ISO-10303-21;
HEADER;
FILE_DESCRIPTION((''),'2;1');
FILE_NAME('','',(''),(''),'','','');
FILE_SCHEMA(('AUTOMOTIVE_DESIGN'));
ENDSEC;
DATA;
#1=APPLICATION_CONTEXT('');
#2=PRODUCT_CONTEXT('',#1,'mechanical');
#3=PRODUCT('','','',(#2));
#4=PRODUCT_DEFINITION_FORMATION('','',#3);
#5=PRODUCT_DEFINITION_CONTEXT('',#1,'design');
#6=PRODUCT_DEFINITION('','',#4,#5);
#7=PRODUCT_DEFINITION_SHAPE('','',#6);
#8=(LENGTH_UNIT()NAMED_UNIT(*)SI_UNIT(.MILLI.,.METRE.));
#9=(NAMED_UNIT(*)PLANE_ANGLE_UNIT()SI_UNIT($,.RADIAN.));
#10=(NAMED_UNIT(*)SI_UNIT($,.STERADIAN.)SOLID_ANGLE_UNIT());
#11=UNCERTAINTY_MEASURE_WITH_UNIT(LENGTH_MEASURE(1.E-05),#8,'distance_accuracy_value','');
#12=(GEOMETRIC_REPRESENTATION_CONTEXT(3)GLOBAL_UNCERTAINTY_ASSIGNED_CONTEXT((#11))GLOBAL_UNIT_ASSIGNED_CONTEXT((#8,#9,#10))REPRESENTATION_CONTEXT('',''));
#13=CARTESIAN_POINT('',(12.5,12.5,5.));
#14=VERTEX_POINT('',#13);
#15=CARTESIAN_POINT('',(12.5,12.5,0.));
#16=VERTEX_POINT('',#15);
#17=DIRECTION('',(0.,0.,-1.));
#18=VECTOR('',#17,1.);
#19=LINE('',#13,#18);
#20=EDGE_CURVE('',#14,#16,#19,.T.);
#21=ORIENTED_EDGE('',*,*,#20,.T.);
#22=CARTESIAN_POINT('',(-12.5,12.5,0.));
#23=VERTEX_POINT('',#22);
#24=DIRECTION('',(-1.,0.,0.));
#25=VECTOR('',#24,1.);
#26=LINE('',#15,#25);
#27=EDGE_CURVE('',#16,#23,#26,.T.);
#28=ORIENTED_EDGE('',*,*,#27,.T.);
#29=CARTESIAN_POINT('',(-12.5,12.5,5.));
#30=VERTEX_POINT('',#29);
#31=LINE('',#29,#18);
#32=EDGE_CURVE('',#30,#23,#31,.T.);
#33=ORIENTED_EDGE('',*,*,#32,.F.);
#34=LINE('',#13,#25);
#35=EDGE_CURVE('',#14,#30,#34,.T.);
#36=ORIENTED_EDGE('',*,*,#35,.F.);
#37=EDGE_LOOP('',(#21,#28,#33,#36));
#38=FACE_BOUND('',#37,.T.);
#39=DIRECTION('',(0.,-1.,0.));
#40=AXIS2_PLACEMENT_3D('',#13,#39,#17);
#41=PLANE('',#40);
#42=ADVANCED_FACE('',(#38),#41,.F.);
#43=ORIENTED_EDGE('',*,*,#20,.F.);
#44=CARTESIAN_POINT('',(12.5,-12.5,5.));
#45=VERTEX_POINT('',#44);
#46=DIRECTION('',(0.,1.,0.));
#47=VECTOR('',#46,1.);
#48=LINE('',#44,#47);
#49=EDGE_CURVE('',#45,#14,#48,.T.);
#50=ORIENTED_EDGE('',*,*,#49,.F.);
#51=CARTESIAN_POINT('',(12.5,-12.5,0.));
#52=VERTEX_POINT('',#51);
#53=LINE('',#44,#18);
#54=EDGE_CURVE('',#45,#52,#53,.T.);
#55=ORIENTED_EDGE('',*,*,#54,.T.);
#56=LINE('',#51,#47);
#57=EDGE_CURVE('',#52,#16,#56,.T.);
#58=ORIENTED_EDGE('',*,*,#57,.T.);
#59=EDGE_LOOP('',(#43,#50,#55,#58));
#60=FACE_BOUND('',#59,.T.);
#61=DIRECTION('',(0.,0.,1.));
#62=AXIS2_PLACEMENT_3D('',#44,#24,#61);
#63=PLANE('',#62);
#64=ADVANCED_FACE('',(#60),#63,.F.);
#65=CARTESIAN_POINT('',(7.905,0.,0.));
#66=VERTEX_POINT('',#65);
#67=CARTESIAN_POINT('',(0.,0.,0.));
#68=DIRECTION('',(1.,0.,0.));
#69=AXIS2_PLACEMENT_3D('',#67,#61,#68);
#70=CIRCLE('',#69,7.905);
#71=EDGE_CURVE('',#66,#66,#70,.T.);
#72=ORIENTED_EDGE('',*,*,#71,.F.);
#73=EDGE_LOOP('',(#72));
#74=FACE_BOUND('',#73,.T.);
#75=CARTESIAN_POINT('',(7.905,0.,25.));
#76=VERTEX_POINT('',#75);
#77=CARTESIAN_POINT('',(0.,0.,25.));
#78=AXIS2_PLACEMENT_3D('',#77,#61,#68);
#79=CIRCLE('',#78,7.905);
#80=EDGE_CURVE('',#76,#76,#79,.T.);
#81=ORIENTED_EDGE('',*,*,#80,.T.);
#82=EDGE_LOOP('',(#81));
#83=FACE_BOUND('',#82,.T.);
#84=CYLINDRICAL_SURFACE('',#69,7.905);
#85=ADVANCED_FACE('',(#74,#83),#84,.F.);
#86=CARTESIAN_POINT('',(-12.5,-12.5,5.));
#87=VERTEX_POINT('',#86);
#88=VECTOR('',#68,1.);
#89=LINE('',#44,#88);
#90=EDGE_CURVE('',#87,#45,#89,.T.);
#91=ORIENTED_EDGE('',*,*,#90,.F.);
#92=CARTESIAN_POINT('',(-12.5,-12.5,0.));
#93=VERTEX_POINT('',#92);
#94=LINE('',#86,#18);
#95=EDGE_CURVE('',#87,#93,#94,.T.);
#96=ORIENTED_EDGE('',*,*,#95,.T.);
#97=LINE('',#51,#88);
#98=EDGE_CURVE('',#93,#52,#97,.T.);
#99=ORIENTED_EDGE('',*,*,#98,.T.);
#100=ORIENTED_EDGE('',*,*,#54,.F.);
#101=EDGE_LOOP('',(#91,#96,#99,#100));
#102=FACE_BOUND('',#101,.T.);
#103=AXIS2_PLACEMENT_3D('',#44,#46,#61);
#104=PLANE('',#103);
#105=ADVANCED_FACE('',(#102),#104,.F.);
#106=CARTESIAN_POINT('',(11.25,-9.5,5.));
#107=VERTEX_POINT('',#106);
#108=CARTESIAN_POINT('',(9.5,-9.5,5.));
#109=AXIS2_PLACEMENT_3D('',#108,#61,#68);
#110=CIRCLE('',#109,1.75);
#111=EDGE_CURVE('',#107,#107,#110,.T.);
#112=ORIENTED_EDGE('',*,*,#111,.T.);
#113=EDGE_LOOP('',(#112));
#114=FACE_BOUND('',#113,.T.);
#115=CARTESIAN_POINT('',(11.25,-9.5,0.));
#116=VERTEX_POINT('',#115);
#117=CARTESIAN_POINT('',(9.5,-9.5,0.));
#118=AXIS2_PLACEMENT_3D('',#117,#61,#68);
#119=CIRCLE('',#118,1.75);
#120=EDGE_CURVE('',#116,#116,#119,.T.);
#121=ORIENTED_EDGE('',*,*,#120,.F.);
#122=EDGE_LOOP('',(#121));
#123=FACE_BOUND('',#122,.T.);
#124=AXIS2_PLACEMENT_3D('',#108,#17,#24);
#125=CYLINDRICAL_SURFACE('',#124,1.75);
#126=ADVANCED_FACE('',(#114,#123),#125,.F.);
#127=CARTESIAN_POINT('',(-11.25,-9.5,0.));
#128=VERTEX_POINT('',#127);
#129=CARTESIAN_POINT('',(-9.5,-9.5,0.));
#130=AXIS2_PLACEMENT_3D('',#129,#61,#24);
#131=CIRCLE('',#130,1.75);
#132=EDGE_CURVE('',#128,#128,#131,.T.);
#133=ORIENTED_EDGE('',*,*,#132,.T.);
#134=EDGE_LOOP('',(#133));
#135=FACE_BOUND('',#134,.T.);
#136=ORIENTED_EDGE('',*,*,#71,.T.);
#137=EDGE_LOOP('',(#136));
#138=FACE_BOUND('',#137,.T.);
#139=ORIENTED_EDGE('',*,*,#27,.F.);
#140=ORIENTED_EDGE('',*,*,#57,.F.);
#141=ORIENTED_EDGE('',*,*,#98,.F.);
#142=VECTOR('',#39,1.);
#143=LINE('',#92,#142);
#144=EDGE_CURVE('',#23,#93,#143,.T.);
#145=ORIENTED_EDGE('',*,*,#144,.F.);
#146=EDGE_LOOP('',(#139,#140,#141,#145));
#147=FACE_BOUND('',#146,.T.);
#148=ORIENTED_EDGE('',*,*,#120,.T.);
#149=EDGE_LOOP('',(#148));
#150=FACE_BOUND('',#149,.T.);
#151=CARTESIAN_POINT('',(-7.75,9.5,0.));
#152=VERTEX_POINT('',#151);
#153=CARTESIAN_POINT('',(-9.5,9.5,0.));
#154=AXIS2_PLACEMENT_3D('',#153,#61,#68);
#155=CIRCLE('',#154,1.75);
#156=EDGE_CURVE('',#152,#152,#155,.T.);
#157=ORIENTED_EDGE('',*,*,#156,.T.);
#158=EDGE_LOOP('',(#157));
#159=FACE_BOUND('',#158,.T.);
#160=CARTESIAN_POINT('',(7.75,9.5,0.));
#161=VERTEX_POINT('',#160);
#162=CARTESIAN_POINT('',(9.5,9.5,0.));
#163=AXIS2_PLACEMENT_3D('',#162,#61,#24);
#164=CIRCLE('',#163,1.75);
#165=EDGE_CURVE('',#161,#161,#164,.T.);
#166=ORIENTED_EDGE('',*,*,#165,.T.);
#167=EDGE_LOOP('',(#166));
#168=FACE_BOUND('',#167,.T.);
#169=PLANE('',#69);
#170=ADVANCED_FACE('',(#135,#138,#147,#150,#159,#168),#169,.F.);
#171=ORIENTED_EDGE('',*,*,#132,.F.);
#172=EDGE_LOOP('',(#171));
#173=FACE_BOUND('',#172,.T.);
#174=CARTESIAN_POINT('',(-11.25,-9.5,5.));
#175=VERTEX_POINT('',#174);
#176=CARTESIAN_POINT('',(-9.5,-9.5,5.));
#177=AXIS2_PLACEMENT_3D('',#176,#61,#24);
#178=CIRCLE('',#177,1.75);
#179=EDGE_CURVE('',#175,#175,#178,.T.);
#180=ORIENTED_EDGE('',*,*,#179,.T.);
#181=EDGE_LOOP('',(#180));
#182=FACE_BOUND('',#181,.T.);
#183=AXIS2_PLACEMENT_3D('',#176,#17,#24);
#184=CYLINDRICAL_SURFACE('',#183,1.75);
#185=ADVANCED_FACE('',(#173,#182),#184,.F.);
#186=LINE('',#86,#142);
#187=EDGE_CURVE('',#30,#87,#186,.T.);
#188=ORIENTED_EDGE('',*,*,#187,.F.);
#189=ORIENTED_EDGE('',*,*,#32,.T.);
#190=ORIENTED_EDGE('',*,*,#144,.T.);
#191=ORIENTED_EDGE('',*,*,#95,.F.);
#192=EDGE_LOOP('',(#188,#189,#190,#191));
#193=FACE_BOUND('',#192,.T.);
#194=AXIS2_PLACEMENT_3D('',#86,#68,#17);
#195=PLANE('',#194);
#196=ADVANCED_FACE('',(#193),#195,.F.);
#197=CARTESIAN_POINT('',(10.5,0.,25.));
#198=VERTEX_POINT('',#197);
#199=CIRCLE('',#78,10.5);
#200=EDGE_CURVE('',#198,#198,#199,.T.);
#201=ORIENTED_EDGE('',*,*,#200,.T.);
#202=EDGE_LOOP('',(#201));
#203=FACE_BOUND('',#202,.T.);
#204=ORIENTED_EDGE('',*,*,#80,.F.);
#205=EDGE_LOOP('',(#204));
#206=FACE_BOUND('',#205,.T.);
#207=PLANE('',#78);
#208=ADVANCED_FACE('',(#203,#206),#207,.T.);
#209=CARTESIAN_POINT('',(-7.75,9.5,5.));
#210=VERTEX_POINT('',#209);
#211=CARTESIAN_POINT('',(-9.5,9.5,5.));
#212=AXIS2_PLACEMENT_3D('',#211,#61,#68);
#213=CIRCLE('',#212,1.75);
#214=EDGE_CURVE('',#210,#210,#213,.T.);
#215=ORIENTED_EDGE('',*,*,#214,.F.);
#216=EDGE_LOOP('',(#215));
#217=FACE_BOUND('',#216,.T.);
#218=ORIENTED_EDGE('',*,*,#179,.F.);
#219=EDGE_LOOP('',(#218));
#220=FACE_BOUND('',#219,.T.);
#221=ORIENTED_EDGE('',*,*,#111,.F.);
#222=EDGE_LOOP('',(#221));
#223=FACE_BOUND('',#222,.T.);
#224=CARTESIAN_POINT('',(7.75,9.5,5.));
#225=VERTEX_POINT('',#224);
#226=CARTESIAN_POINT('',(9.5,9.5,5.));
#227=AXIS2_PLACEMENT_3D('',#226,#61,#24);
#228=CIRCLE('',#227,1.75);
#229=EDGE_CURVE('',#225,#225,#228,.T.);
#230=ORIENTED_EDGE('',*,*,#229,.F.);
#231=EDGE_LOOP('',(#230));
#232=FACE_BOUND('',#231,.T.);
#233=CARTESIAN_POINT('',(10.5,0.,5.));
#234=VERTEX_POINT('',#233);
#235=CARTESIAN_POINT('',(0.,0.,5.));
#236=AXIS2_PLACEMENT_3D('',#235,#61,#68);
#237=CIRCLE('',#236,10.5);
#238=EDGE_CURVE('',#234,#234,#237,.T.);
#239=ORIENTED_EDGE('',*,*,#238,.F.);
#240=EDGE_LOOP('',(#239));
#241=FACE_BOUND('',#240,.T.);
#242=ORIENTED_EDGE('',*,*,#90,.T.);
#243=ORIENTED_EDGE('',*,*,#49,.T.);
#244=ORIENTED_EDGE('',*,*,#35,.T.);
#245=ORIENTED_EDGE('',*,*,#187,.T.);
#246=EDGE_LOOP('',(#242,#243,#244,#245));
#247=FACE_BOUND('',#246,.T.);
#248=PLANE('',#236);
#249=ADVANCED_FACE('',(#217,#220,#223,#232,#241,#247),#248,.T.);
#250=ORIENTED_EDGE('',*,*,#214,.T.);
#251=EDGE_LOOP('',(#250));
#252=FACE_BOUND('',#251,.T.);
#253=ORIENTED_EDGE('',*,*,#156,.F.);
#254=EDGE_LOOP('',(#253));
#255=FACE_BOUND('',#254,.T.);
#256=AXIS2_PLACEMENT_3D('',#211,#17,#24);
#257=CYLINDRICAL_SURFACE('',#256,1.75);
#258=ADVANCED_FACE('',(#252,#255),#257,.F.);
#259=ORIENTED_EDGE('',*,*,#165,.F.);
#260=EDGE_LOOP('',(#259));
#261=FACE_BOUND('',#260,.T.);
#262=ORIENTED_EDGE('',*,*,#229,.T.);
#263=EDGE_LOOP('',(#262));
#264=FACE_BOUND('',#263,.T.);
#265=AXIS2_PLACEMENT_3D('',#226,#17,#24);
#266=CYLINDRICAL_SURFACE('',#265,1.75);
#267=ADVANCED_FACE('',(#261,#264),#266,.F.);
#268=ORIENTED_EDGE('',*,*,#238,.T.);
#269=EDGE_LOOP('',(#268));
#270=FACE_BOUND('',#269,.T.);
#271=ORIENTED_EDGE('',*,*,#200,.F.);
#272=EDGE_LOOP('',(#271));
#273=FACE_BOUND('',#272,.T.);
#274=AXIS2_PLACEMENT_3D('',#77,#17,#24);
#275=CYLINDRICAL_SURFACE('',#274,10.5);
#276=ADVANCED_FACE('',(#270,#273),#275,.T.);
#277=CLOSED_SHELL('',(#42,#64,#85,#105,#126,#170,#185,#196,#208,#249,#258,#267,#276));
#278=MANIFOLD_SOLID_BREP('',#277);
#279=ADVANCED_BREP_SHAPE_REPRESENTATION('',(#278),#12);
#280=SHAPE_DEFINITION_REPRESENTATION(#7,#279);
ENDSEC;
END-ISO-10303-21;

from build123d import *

# Parameters (mm, degrees)
SKETCH_1_W          = 25
SKETCH_1_H          = 25
SKETCH_1_R          = 1.75
EXTRUDE_1_DEPTH     = 5
SKETCH_2_R          = 7.905
CUT_EXTRUDE_1_DEPTH = 5
SKETCH_3_R          = 10.5
SKETCH_3_R_2        = 7.905
EXTRUDE_2_DEPTH     = 20


with BuildPart() as part:
    # 草图1 → 凸台-拉伸1 (new body)
    with BuildSketch(Plane.XY):
        Rectangle(SKETCH_1_W, SKETCH_1_H)
        with Locations((-9.5, 9.5)):
            Circle(SKETCH_1_R, mode=Mode.SUBTRACT)
        with Locations((-9.5, -9.5)):
            Circle(SKETCH_1_R, mode=Mode.SUBTRACT)
        with Locations((9.5, -9.5)):
            Circle(SKETCH_1_R, mode=Mode.SUBTRACT)
        with Locations((9.5, 9.5)):
            Circle(SKETCH_1_R, mode=Mode.SUBTRACT)
    extrude(amount=EXTRUDE_1_DEPTH)

    # 草图2 → 切除-拉伸1 (cut)
    with BuildSketch(Plane.XY.offset(5)):
        Circle(SKETCH_2_R)
    extrude(amount=-CUT_EXTRUDE_1_DEPTH, mode=Mode.SUBTRACT)

    # 草图3 → 凸台-拉伸2 (add)
    with BuildSketch(Plane.XY.offset(5)):
        Circle(SKETCH_3_R)
        Circle(SKETCH_3_R_2, mode=Mode.SUBTRACT)
    extrude(amount=EXTRUDE_2_DEPTH)


solid = part.part
